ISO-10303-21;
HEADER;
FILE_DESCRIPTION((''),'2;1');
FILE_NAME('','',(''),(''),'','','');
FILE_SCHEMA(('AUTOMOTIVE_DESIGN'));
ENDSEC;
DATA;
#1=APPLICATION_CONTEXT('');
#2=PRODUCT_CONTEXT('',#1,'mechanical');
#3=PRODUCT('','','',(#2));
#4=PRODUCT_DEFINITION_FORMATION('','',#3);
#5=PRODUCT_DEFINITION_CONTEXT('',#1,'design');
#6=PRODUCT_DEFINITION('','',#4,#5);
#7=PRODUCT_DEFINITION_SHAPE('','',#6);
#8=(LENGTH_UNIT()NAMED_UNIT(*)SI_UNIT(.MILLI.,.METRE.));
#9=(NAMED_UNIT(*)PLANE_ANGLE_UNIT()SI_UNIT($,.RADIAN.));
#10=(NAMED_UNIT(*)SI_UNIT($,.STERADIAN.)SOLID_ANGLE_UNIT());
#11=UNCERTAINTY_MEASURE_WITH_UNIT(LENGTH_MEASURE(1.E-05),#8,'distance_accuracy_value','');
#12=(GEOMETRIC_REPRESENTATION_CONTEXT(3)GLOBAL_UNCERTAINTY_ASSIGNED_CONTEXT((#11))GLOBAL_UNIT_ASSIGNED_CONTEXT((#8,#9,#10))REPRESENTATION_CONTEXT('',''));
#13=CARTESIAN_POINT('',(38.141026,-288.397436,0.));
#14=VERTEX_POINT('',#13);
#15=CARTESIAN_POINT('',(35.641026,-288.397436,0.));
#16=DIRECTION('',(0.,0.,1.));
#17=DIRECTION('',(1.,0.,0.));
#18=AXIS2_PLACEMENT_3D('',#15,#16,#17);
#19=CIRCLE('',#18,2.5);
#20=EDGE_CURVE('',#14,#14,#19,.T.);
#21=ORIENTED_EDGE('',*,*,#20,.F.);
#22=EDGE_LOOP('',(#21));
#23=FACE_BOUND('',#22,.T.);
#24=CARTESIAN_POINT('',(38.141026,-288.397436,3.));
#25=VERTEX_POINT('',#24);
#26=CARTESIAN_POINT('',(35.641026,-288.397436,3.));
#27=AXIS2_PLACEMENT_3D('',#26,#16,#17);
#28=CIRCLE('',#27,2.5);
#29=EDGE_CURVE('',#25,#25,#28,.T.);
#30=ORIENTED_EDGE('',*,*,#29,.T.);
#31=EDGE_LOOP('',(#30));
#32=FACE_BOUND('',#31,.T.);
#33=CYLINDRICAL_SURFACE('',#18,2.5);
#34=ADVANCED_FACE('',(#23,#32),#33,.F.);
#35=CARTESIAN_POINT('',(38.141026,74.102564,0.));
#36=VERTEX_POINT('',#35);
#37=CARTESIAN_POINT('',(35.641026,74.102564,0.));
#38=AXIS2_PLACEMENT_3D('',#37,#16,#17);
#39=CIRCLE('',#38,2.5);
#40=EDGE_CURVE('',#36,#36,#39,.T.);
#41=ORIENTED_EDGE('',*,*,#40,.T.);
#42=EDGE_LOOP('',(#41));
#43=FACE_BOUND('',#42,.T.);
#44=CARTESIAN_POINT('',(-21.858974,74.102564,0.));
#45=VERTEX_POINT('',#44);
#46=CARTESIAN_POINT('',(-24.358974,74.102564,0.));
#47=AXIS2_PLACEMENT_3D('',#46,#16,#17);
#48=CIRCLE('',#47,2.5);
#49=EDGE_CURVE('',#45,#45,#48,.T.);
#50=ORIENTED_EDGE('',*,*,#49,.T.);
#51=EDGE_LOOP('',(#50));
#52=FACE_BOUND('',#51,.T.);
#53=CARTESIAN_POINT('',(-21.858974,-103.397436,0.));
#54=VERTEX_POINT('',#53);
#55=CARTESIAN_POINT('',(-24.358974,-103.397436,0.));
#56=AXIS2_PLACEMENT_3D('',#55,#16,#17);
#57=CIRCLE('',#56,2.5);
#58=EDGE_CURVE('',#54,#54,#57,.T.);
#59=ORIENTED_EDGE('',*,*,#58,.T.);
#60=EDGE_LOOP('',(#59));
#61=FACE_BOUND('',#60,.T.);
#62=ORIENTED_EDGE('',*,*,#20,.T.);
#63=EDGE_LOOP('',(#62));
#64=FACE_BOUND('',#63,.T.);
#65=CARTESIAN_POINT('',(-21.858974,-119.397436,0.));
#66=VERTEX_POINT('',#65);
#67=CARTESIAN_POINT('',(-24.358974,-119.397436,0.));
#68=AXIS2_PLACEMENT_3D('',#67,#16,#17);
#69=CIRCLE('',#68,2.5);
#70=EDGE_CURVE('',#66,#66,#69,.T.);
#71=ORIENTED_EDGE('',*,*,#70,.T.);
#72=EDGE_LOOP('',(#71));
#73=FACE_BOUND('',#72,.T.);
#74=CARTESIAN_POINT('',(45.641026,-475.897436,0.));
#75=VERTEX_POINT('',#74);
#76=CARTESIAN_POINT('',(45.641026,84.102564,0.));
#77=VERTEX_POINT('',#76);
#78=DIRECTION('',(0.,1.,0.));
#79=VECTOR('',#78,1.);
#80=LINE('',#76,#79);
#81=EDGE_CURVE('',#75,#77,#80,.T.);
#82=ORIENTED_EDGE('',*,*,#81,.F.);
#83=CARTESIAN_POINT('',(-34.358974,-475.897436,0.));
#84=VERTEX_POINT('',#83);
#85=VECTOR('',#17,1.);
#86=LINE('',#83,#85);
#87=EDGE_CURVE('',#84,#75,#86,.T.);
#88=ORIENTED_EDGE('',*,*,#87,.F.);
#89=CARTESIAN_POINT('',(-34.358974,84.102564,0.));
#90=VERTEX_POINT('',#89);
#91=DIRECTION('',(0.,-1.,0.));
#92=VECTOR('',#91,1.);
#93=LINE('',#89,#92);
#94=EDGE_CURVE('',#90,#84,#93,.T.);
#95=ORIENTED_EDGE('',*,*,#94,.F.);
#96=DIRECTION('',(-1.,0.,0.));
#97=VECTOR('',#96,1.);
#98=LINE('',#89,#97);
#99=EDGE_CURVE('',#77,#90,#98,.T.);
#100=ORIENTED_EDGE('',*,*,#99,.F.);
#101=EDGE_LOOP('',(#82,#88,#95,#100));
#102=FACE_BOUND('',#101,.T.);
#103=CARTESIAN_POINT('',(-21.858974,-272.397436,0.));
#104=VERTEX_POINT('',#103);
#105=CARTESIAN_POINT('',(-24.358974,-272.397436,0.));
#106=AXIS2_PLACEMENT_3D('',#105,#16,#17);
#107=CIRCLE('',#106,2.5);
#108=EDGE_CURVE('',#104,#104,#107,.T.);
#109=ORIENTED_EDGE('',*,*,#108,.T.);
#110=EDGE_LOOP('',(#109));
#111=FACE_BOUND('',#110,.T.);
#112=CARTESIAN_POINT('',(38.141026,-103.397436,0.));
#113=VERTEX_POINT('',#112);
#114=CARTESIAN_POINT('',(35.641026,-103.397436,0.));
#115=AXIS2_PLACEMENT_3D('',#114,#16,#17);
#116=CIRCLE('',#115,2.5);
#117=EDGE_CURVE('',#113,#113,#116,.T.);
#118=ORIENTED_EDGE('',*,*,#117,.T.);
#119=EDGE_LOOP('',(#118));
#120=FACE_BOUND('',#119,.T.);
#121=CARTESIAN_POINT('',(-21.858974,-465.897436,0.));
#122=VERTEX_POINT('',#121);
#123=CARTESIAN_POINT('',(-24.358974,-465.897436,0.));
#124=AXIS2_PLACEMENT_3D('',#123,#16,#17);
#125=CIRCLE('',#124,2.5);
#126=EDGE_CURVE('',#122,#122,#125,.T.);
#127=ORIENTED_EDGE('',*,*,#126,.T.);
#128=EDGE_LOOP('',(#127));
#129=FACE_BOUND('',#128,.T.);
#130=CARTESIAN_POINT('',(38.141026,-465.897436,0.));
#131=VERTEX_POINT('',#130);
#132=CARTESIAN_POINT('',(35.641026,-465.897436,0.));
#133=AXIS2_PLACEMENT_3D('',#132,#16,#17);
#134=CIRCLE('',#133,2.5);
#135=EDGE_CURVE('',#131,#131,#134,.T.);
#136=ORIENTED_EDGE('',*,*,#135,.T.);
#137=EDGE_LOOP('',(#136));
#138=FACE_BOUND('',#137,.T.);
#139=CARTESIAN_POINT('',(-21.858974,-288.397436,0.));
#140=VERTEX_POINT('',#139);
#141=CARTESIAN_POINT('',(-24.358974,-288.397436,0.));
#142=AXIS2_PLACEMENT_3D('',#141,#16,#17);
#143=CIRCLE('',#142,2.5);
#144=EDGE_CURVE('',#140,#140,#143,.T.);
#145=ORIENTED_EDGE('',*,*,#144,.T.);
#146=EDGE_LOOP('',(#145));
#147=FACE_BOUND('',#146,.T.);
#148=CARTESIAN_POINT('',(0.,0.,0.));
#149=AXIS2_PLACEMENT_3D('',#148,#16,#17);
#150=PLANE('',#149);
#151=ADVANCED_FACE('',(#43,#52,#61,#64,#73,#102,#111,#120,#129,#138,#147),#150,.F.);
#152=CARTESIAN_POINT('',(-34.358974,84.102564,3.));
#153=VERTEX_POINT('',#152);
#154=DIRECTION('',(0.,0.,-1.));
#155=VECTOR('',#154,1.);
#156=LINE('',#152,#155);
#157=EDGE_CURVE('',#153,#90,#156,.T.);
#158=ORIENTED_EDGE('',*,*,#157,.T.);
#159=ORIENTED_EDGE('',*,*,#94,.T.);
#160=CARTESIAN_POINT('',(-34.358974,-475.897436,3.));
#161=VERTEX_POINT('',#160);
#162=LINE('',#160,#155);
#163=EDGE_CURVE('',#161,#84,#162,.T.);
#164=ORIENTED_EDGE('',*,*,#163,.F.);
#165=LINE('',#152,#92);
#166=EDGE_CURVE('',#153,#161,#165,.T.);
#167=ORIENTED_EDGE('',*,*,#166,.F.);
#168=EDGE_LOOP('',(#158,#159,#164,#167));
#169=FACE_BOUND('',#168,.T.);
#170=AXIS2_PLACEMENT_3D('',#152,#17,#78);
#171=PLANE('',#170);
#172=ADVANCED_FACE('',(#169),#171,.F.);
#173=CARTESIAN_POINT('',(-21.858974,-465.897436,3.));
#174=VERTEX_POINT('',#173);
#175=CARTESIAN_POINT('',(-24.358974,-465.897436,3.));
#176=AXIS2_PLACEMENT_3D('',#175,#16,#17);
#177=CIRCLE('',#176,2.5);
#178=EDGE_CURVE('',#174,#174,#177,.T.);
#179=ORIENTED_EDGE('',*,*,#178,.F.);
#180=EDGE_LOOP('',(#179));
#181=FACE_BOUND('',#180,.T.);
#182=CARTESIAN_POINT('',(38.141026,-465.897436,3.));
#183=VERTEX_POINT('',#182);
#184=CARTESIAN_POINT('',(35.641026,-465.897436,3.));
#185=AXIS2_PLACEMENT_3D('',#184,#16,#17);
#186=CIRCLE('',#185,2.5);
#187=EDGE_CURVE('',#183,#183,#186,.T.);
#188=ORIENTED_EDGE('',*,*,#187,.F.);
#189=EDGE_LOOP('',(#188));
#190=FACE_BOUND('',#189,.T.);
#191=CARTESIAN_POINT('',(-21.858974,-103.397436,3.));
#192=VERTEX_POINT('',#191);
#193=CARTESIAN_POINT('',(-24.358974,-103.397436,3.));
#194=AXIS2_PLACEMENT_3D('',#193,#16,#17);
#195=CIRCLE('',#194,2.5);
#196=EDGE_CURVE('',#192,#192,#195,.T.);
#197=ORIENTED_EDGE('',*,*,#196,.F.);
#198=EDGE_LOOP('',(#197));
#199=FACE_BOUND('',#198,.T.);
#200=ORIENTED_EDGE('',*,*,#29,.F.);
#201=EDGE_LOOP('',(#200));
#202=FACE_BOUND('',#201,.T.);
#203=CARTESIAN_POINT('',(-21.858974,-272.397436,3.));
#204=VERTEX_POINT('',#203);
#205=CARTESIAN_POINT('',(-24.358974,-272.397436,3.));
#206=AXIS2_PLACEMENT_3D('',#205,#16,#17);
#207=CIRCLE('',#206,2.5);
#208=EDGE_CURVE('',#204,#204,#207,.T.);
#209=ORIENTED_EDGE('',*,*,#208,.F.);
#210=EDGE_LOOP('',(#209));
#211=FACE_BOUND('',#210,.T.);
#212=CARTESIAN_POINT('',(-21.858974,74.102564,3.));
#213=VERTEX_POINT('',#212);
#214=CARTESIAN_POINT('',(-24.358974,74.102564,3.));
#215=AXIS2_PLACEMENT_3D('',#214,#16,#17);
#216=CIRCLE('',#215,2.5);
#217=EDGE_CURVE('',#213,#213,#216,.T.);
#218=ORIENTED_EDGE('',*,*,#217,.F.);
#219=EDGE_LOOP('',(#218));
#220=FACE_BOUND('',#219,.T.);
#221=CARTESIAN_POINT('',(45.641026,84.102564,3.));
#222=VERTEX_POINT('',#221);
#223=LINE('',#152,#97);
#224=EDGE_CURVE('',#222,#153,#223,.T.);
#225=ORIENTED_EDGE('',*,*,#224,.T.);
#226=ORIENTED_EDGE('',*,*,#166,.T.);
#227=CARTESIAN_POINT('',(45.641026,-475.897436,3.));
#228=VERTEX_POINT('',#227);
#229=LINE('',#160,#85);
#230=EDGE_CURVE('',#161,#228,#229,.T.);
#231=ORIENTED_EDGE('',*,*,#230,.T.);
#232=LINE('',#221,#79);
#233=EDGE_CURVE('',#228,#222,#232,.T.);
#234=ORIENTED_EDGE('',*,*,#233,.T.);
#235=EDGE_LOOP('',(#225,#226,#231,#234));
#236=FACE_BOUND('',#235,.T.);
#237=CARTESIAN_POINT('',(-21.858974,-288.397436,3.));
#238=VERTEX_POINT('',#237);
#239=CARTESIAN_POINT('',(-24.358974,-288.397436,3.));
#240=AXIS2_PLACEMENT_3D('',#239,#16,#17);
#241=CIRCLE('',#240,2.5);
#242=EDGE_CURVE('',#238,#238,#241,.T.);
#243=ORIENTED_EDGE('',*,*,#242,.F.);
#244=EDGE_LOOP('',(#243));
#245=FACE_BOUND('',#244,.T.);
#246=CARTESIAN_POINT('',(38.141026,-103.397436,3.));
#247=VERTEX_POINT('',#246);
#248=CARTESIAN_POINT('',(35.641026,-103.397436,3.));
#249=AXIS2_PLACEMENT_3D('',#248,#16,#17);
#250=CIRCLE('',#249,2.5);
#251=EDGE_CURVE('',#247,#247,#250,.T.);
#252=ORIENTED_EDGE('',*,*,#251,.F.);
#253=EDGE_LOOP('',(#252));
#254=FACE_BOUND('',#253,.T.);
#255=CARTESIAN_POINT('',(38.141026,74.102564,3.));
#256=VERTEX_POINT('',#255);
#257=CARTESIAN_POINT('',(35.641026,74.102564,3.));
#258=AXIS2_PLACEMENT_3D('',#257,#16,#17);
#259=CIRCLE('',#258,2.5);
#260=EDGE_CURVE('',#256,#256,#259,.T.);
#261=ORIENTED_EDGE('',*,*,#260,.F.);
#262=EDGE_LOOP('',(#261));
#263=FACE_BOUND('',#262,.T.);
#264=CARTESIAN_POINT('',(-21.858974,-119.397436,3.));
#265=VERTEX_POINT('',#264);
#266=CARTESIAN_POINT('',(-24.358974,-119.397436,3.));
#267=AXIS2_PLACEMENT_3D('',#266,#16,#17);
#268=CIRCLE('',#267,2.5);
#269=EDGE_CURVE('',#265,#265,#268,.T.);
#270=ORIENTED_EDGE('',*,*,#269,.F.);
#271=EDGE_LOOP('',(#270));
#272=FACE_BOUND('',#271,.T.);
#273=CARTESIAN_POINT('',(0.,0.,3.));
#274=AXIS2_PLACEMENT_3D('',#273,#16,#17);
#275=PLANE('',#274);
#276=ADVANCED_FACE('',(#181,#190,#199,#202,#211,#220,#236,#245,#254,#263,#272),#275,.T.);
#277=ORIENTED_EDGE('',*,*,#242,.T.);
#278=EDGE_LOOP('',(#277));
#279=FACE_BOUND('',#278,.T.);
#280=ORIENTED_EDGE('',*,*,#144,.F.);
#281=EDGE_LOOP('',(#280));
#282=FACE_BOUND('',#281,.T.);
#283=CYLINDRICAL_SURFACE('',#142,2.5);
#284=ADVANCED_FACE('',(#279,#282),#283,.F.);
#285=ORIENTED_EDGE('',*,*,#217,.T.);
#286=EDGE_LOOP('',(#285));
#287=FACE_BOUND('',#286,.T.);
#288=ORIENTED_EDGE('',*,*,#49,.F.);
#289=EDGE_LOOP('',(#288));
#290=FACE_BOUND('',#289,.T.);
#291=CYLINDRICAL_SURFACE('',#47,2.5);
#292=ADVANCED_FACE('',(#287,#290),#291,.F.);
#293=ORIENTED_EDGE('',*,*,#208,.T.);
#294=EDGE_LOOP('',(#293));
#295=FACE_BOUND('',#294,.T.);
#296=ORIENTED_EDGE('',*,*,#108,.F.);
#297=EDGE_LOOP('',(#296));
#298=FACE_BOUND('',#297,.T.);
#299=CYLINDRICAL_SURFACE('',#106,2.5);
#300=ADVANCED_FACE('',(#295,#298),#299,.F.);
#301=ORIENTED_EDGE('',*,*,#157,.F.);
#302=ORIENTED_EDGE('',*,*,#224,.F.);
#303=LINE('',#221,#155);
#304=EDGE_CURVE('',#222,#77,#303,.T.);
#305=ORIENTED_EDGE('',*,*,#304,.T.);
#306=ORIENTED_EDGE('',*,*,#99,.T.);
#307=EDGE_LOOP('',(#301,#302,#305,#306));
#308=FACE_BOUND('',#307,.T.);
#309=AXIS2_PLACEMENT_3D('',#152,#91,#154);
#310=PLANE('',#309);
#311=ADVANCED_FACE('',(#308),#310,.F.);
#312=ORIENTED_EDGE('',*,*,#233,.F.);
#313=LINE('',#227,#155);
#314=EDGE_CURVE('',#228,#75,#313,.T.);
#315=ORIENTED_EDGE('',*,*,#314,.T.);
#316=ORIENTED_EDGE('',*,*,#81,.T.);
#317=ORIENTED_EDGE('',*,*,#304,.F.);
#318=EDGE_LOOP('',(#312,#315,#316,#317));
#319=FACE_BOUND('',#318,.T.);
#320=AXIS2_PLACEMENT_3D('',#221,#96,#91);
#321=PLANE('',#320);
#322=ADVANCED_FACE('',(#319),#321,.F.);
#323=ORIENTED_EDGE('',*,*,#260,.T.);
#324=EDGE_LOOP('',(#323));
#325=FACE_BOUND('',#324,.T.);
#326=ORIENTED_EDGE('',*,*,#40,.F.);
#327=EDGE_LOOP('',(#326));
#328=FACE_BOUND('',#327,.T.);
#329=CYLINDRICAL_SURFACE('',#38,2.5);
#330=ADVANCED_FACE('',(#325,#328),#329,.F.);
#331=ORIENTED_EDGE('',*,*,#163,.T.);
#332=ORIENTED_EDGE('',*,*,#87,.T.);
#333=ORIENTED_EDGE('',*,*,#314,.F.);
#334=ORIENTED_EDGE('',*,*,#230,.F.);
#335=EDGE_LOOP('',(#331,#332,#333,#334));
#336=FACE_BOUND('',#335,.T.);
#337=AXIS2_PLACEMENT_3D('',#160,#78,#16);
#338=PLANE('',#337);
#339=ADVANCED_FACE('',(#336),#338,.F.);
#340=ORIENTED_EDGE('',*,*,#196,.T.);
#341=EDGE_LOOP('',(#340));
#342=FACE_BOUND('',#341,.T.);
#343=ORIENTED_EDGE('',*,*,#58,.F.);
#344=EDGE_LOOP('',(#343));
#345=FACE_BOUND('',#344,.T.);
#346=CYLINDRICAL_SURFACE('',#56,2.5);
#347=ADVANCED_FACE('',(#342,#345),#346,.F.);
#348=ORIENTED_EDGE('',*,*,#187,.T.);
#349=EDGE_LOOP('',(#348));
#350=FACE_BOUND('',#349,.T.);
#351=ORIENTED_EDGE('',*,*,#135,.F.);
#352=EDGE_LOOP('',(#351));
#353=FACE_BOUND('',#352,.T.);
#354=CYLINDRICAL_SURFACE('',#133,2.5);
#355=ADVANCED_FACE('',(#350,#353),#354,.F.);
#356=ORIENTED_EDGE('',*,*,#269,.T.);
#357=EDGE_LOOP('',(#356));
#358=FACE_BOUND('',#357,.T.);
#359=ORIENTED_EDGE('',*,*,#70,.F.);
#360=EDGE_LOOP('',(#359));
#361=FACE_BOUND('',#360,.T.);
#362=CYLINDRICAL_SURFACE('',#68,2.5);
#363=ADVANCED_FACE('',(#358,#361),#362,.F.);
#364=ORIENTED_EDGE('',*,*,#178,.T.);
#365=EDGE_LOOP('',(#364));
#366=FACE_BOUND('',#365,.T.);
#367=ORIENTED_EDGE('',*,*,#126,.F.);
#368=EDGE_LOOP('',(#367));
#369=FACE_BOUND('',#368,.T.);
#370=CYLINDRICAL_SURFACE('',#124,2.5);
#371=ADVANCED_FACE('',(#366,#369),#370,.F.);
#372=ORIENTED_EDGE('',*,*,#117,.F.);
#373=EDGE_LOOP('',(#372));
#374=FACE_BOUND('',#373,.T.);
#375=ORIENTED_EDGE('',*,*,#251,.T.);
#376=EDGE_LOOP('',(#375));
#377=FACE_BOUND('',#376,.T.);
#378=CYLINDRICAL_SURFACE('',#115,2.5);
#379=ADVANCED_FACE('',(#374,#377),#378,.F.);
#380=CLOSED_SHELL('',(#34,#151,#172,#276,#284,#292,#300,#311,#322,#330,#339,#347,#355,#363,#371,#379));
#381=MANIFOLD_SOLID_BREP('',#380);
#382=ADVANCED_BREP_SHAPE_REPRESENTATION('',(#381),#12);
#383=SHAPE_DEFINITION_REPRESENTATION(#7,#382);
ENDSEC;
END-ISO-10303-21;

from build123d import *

# Parameters (mm, degrees)
SKETCH1_W               = 80
SKETCH1_H               = 560
BOSS_EXTRUDE1_DEPTH     = 3
CUT_EXTRUDE1_DEPTH      = 479.090444074
CUT_EXTRUDE1_DEPTH_BACK = 479.090444074
SKETCH2_R               = 2.5


with BuildPart() as part:
    # Sketch1 → Boss-Extrude1 (new body)
    with BuildSketch(Plane.XY):
        with Locations((5.641025641, -195.897435897)):
            Rectangle(SKETCH1_W, SKETCH1_H)
    extrude(amount=BOSS_EXTRUDE1_DEPTH)

    # Sketch2 → Cut-Extrude1 (cut, two sides: drawn at the far end of the back side and taken through both)
    with BuildSketch(Plane.XY.offset(3).offset(-CUT_EXTRUDE1_DEPTH_BACK)):
        with Locations((-24.358974359, 74.102564103)):
            Circle(SKETCH2_R)
        with Locations((35.641025641, 74.102564103)):
            Circle(SKETCH2_R)
        with Locations((-24.358974359, -465.897435897)):
            Circle(SKETCH2_R)
        with Locations((35.641025641, -465.897435897)):
            Circle(SKETCH2_R)
        with Locations((-24.358974359, -103.397435897)):
            Circle(SKETCH2_R)
        with Locations((-24.358974359, -288.397435897)):
            Circle(SKETCH2_R)
        with Locations((-24.358974359, -272.397435897)):
            Circle(SKETCH2_R)
        with Locations((-24.358974359, -119.397435897)):
            Circle(SKETCH2_R)
        with Locations((35.641025641, -103.397435897)):
            Circle(SKETCH2_R)
        with Locations((35.641025641, -288.397435897)):
            Circle(SKETCH2_R)
    extrude(amount=CUT_EXTRUDE1_DEPTH + CUT_EXTRUDE1_DEPTH_BACK, mode=Mode.SUBTRACT)


solid = part.part
